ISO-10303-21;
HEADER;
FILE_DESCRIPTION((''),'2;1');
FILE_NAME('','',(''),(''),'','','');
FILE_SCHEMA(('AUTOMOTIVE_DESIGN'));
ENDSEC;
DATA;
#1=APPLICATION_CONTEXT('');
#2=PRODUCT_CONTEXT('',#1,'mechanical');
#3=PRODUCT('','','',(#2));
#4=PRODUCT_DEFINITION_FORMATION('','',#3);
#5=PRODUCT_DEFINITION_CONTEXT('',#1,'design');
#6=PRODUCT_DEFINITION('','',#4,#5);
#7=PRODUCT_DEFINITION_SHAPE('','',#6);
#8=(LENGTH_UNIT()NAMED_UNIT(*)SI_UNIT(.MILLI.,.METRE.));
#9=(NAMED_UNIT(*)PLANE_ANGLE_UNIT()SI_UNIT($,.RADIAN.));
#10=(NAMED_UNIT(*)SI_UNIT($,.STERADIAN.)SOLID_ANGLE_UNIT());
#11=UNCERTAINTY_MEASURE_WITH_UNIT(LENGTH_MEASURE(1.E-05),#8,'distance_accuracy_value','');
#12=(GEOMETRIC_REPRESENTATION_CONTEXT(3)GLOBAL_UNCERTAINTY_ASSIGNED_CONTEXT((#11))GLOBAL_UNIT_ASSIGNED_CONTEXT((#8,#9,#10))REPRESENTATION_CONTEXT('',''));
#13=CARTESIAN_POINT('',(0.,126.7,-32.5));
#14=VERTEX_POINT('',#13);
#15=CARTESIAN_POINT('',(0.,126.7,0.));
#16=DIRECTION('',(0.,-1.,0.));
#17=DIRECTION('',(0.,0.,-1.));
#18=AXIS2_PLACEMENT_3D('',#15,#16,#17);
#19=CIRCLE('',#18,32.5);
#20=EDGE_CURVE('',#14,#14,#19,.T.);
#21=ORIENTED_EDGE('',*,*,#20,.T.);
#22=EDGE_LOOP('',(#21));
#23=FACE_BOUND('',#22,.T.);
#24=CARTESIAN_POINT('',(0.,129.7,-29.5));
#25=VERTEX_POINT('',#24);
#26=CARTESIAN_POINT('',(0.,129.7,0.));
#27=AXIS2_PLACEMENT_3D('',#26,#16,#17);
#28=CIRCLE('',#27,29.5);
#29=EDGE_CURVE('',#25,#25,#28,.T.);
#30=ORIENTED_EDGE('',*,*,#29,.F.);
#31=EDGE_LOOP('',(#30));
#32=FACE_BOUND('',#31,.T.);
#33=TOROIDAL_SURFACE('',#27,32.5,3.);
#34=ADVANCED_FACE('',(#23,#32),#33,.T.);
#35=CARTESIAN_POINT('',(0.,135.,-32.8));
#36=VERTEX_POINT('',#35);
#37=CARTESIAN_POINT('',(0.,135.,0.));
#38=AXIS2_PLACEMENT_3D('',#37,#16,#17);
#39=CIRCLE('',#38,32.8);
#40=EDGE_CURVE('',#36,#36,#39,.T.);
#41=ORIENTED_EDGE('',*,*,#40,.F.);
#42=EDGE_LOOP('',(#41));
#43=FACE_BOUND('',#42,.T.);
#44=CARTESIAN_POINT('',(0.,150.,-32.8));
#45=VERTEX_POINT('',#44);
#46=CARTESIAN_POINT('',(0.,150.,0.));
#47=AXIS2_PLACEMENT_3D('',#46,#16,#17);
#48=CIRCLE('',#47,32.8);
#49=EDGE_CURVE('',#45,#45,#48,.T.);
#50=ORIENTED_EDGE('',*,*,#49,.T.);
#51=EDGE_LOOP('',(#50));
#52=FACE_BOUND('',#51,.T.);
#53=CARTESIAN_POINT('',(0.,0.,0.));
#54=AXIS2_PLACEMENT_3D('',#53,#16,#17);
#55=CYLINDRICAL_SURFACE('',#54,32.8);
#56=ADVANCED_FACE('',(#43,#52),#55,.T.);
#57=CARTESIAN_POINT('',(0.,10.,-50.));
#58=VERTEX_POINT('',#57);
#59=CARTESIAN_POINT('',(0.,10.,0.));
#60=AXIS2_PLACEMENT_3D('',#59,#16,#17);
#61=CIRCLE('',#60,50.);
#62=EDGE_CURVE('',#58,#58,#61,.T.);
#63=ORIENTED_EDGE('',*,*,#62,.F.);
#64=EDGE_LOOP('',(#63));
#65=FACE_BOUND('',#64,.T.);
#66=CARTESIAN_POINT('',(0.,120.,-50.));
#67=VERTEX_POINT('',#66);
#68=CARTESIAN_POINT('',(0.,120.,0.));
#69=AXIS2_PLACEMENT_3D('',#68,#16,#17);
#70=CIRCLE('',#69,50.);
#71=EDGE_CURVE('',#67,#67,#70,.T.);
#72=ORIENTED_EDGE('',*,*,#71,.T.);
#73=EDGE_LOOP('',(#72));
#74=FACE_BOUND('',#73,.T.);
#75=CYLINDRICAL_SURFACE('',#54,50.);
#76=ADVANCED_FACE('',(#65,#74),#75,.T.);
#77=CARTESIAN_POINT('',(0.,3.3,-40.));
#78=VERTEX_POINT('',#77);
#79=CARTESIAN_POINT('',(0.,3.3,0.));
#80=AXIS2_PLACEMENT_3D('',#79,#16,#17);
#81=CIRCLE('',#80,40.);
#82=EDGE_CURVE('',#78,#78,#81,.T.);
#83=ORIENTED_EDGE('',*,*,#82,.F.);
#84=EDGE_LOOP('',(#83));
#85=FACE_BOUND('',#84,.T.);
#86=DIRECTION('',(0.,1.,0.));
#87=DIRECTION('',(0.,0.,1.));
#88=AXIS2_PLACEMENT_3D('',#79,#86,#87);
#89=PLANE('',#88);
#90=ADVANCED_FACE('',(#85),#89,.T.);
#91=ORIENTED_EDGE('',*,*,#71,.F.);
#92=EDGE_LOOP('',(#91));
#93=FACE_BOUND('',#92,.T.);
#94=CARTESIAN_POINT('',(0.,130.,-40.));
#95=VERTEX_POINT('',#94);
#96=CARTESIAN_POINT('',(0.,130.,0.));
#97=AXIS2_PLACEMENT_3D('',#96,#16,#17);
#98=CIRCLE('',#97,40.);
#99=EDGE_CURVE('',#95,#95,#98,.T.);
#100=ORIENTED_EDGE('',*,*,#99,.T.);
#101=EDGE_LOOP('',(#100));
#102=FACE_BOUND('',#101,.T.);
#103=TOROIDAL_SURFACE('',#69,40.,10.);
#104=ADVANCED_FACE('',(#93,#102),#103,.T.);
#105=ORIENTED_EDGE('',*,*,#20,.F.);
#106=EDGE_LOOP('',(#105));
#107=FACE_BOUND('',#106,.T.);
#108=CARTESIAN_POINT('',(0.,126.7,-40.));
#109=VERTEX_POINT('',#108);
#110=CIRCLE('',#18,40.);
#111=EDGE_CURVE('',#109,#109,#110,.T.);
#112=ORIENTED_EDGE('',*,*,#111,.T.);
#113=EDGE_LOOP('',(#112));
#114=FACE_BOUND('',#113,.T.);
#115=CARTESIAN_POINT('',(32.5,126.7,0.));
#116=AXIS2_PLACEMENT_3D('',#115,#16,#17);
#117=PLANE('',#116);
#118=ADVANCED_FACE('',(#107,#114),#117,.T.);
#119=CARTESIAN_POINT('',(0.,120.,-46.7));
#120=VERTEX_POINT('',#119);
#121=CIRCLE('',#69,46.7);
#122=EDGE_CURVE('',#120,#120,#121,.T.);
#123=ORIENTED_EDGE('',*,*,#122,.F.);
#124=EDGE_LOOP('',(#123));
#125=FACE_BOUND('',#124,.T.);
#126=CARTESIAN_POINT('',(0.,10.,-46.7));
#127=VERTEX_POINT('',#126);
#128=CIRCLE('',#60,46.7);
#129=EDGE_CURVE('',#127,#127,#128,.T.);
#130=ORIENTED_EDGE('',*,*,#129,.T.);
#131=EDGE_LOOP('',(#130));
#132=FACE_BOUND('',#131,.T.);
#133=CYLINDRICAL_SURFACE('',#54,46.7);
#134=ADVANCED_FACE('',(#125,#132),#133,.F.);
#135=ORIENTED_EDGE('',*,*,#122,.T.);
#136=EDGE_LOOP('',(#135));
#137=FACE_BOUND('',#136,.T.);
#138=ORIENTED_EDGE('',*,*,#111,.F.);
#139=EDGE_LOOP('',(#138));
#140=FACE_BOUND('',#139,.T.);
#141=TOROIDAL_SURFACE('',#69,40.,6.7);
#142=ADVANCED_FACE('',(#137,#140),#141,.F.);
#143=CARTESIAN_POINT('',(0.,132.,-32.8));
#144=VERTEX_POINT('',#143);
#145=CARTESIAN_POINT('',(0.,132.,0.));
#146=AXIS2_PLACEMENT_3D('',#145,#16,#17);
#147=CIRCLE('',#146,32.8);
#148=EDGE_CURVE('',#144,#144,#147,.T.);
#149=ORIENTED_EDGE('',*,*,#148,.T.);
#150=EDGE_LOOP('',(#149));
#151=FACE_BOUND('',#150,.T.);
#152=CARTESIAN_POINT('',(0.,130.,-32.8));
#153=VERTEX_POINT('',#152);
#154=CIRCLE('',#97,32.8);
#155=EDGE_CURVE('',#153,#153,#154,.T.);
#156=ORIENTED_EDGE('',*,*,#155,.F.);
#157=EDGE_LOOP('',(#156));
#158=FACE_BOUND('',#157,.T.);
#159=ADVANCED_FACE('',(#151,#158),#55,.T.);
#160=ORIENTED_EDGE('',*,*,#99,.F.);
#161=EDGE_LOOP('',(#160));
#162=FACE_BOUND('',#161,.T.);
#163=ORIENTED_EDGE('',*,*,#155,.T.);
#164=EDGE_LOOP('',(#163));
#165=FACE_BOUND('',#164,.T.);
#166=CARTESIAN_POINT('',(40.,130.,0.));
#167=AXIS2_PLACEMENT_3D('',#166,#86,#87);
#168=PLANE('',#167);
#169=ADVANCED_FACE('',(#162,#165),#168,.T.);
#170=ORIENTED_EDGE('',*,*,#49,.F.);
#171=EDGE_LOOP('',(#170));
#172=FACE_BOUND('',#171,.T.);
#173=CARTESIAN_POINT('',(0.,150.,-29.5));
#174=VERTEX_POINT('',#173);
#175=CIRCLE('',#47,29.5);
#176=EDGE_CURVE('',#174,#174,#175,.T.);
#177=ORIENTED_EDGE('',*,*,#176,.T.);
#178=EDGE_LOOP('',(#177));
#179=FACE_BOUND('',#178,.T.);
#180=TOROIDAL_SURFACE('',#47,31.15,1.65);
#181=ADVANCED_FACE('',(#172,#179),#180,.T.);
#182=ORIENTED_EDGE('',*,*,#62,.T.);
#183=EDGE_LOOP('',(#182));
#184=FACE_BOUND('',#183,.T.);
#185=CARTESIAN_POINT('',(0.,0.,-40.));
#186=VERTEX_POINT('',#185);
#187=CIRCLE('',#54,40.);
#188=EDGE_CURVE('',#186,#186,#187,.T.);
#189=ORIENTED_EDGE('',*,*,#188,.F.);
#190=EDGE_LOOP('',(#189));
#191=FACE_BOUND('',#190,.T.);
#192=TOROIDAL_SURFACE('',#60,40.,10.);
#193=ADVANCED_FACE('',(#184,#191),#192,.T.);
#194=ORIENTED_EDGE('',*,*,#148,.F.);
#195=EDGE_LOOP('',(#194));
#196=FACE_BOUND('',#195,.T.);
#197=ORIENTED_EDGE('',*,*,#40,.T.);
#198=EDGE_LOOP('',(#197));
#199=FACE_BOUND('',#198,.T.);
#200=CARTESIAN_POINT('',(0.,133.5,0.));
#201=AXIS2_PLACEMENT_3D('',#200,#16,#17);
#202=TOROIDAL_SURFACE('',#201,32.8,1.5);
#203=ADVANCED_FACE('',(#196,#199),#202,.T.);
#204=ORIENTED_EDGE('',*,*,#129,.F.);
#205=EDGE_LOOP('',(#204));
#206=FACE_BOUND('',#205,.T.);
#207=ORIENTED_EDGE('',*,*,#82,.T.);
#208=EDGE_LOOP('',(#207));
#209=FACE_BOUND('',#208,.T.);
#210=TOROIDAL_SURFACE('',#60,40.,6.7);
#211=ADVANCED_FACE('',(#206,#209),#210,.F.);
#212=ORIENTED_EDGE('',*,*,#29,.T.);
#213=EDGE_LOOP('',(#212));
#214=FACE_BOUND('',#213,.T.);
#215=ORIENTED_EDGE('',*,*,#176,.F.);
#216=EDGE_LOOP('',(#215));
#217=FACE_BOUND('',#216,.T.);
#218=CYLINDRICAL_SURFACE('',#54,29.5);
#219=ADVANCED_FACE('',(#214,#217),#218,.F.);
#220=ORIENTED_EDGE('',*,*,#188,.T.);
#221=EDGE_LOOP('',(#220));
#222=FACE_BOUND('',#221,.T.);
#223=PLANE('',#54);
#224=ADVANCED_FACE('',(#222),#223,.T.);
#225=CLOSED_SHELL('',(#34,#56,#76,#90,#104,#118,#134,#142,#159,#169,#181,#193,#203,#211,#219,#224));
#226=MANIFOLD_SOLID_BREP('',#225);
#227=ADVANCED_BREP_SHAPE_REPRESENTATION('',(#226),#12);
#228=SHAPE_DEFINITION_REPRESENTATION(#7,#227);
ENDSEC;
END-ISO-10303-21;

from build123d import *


with BuildPart() as part:
    # Croquis1 → Revolución1 (revolve)
    with BuildSketch(Plane.XY, mode=Mode.PRIVATE) as revoluci_n1_sk:
        with BuildLine():
            Line((0, 0), (40, 0))
            ThreePointArc((40, 0), (47.071067812, 2.928932188), (50, 10))
            Line((50, 10), (50, 120))
            ThreePointArc((50, 120), (47.071067812, 127.071067812), (40, 130))
            Line((40, 130), (32.8, 130))
            Line((32.8, 130), (32.8, 132))
            ThreePointArc((32.8, 132), (34.3, 133.5), (32.8, 135))
            Line((32.8, 135), (32.8, 150))
            ThreePointArc((32.8, 150), (31.15, 151.65), (29.5, 150))
            Line((29.5, 150), (29.5, 129.7))
            ThreePointArc((29.5, 129.7), (30.378679656, 127.578679656), (32.5, 126.7))
            Line((32.5, 126.7), (40, 126.7))
            ThreePointArc((40, 126.7), (44.737615434, 124.737615434), (46.7, 120))
            Line((46.7, 120), (46.7, 10))
            ThreePointArc((46.7, 10), (44.737615434, 5.262384566), (40, 3.3))
            Line((40, 3.3), (0, 3.3))
            Line((0, 3.3), (0, 0))
        make_face()
    revolve(revoluci_n1_sk.sketch.rotate(Axis((0, 0, 0), (0, 1, 0)), 90), axis=Axis((0, 0, 0), (0, 1, 0)))


solid = part.part
